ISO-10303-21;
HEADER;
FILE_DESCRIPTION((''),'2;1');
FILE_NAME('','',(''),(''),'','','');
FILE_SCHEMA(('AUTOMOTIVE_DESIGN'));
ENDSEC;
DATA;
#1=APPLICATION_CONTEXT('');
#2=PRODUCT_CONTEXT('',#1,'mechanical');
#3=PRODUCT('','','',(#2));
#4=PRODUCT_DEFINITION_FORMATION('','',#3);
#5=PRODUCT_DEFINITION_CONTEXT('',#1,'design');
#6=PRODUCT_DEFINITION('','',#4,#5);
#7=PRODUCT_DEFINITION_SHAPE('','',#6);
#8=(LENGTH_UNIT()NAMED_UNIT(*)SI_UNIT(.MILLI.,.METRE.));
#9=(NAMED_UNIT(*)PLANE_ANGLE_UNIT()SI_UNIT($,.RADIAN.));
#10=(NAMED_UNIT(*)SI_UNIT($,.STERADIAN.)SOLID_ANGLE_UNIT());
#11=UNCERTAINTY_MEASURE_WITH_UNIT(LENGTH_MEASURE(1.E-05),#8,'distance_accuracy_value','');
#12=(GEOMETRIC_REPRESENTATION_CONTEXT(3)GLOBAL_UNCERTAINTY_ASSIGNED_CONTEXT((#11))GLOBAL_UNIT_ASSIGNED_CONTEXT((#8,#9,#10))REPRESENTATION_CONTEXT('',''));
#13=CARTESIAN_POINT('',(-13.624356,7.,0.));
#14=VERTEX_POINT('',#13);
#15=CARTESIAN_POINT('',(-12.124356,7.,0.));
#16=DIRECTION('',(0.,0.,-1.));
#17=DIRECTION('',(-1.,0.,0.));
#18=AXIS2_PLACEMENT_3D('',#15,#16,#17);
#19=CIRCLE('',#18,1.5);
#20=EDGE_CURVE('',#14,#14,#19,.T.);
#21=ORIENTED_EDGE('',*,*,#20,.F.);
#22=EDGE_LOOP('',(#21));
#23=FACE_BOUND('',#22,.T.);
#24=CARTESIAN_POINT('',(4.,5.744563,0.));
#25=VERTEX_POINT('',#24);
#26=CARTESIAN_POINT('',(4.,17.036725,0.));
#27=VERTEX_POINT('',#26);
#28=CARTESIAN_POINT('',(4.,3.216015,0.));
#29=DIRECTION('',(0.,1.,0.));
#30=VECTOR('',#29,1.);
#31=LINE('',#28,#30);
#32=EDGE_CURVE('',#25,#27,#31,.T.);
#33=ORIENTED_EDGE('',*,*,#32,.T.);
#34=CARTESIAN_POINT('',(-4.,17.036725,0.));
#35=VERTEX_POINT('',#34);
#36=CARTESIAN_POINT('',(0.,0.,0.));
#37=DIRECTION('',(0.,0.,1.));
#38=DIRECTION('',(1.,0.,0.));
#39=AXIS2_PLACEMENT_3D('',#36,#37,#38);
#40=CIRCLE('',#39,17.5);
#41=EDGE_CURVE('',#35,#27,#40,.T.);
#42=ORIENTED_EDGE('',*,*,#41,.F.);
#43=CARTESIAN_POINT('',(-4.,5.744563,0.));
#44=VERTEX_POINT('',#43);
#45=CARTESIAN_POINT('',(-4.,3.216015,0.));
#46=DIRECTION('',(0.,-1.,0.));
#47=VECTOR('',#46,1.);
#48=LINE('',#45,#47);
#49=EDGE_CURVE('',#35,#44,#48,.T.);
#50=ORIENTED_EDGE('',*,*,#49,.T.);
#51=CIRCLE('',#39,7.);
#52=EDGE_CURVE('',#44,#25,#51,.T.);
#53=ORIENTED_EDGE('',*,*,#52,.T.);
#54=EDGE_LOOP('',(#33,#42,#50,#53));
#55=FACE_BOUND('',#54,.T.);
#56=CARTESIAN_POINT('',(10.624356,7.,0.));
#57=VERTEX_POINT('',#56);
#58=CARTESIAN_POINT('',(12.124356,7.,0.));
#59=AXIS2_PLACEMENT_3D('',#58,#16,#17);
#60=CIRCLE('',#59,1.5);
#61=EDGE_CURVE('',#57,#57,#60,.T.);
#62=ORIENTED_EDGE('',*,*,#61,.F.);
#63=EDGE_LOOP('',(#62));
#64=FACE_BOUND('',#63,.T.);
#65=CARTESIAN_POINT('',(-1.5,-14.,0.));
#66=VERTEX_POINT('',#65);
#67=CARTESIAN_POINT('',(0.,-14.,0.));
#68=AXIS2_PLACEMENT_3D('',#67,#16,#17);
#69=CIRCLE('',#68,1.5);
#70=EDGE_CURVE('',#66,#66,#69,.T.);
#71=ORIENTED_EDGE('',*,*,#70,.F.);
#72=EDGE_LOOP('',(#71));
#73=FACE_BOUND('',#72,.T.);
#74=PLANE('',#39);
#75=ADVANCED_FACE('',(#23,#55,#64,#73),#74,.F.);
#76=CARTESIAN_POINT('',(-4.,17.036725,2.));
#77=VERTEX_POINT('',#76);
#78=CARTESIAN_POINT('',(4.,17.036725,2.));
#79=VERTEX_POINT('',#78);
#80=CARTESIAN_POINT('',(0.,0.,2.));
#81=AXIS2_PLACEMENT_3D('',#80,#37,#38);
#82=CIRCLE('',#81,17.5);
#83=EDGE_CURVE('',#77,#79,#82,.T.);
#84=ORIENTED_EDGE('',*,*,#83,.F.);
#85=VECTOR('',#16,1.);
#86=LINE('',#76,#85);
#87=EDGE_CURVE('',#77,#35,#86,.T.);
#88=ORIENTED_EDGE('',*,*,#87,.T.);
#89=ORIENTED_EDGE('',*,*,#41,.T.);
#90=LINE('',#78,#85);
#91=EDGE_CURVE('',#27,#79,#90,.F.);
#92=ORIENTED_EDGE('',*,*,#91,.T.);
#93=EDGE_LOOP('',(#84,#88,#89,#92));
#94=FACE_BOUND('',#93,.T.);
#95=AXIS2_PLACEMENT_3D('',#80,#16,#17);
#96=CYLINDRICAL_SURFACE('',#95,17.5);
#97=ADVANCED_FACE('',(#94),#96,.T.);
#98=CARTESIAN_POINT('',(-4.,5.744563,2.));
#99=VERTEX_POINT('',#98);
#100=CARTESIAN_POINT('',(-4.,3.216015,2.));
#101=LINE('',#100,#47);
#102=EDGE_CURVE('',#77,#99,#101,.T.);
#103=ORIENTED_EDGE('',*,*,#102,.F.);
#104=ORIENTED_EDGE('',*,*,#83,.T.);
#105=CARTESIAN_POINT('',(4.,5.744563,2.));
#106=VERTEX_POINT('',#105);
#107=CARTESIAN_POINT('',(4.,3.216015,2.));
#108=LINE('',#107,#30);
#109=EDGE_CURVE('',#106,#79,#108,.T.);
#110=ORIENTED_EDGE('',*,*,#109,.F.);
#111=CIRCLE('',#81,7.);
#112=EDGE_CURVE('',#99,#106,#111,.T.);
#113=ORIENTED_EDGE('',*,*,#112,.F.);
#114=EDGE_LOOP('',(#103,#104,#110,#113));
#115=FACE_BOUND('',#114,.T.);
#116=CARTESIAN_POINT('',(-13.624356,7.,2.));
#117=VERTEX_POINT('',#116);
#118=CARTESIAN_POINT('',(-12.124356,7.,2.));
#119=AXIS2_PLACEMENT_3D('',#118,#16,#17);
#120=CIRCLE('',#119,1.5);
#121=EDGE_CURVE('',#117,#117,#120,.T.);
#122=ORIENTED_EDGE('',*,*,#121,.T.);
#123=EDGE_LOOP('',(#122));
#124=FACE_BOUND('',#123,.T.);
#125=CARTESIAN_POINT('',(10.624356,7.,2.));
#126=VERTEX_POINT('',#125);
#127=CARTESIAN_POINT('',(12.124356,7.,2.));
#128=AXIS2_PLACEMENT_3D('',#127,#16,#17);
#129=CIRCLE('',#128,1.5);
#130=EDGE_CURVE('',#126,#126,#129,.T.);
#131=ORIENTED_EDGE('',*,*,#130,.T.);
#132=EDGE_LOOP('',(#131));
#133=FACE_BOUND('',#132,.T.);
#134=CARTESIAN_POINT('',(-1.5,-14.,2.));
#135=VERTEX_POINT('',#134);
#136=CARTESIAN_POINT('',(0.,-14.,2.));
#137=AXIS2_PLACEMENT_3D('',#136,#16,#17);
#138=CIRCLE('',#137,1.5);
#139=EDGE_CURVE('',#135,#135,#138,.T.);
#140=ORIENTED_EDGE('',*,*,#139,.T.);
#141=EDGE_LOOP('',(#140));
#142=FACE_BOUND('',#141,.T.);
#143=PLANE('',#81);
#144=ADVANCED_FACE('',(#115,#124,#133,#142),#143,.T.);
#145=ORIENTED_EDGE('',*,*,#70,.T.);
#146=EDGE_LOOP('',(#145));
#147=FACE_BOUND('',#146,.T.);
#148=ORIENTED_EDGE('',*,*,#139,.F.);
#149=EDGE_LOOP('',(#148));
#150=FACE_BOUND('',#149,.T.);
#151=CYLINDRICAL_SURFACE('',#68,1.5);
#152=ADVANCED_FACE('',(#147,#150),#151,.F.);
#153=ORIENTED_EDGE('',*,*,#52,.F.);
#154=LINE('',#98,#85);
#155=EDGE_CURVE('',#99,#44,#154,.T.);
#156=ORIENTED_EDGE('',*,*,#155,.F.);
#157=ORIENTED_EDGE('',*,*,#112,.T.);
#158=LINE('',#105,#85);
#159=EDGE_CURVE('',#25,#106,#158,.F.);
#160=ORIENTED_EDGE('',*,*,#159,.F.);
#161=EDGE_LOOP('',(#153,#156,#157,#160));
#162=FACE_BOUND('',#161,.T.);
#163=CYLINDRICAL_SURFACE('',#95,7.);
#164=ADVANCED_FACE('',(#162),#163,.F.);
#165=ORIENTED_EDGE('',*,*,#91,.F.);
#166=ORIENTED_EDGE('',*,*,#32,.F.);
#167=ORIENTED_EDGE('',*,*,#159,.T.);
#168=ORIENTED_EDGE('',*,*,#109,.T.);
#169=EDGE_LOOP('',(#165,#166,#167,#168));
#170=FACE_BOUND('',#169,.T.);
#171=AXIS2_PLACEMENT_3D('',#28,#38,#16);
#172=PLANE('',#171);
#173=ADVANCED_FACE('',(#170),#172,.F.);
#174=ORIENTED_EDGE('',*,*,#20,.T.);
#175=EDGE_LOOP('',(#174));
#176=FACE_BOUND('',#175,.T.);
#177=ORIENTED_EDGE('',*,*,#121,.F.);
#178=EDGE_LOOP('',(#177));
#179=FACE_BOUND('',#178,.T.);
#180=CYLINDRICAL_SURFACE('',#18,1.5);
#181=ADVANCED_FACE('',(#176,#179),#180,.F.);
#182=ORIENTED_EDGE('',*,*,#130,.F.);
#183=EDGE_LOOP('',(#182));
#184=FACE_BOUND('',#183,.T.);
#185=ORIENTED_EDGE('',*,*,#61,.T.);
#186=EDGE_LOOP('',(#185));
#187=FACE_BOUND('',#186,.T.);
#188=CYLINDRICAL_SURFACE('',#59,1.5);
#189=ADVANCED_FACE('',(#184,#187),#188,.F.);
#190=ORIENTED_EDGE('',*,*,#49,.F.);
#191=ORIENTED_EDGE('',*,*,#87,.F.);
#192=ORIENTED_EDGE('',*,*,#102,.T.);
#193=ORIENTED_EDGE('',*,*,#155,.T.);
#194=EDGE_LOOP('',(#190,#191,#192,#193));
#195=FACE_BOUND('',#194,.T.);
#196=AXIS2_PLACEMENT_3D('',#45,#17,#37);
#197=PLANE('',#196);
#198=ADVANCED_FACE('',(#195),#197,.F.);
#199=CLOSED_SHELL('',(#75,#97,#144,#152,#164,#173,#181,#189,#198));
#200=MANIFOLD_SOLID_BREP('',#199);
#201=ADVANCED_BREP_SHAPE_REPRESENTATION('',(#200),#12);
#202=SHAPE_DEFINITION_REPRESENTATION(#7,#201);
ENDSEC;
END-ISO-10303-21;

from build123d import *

# Parameters (mm, degrees)
SKETCH1_R                = 17.5
SKETCH1_R_2              = 7
EXTRUDE1_DEPTH           = 2
SKETCH2_W                = 8
SKETCH2_H                = 16.5675126
CUT_EXTRUDE1_DEPTH       = 2
F_3_0_3_DIAMETER_HOLE1_D = 3


with BuildPart() as part:
    # Sketch1 → Extrude1 (new body)
    with BuildSketch(Plane.XY):
        Circle(SKETCH1_R)
        Circle(SKETCH1_R_2, mode=Mode.SUBTRACT)
    extrude(amount=EXTRUDE1_DEPTH)

    # Sketch2 → Cut-Extrude1 (cut)
    with BuildSketch(Plane.XY.offset(2)):
        with Locations((0, 11.499771479)):
            Rectangle(SKETCH2_W, SKETCH2_H)
    extrude(amount=-CUT_EXTRUDE1_DEPTH, mode=Mode.SUBTRACT)

    # Ø3.0 (3) Diameter Hole1 (through all)
    with Locations(Plane(origin=(0, -14, 0), x_dir=(-1, 0, 0), z_dir=(0, 0, -1))):
        with Locations((0, 0), (12.124355653, 21), (-12.124355653, 21)):
            Hole(F_3_0_3_DIAMETER_HOLE1_D / 2)


solid = part.part
